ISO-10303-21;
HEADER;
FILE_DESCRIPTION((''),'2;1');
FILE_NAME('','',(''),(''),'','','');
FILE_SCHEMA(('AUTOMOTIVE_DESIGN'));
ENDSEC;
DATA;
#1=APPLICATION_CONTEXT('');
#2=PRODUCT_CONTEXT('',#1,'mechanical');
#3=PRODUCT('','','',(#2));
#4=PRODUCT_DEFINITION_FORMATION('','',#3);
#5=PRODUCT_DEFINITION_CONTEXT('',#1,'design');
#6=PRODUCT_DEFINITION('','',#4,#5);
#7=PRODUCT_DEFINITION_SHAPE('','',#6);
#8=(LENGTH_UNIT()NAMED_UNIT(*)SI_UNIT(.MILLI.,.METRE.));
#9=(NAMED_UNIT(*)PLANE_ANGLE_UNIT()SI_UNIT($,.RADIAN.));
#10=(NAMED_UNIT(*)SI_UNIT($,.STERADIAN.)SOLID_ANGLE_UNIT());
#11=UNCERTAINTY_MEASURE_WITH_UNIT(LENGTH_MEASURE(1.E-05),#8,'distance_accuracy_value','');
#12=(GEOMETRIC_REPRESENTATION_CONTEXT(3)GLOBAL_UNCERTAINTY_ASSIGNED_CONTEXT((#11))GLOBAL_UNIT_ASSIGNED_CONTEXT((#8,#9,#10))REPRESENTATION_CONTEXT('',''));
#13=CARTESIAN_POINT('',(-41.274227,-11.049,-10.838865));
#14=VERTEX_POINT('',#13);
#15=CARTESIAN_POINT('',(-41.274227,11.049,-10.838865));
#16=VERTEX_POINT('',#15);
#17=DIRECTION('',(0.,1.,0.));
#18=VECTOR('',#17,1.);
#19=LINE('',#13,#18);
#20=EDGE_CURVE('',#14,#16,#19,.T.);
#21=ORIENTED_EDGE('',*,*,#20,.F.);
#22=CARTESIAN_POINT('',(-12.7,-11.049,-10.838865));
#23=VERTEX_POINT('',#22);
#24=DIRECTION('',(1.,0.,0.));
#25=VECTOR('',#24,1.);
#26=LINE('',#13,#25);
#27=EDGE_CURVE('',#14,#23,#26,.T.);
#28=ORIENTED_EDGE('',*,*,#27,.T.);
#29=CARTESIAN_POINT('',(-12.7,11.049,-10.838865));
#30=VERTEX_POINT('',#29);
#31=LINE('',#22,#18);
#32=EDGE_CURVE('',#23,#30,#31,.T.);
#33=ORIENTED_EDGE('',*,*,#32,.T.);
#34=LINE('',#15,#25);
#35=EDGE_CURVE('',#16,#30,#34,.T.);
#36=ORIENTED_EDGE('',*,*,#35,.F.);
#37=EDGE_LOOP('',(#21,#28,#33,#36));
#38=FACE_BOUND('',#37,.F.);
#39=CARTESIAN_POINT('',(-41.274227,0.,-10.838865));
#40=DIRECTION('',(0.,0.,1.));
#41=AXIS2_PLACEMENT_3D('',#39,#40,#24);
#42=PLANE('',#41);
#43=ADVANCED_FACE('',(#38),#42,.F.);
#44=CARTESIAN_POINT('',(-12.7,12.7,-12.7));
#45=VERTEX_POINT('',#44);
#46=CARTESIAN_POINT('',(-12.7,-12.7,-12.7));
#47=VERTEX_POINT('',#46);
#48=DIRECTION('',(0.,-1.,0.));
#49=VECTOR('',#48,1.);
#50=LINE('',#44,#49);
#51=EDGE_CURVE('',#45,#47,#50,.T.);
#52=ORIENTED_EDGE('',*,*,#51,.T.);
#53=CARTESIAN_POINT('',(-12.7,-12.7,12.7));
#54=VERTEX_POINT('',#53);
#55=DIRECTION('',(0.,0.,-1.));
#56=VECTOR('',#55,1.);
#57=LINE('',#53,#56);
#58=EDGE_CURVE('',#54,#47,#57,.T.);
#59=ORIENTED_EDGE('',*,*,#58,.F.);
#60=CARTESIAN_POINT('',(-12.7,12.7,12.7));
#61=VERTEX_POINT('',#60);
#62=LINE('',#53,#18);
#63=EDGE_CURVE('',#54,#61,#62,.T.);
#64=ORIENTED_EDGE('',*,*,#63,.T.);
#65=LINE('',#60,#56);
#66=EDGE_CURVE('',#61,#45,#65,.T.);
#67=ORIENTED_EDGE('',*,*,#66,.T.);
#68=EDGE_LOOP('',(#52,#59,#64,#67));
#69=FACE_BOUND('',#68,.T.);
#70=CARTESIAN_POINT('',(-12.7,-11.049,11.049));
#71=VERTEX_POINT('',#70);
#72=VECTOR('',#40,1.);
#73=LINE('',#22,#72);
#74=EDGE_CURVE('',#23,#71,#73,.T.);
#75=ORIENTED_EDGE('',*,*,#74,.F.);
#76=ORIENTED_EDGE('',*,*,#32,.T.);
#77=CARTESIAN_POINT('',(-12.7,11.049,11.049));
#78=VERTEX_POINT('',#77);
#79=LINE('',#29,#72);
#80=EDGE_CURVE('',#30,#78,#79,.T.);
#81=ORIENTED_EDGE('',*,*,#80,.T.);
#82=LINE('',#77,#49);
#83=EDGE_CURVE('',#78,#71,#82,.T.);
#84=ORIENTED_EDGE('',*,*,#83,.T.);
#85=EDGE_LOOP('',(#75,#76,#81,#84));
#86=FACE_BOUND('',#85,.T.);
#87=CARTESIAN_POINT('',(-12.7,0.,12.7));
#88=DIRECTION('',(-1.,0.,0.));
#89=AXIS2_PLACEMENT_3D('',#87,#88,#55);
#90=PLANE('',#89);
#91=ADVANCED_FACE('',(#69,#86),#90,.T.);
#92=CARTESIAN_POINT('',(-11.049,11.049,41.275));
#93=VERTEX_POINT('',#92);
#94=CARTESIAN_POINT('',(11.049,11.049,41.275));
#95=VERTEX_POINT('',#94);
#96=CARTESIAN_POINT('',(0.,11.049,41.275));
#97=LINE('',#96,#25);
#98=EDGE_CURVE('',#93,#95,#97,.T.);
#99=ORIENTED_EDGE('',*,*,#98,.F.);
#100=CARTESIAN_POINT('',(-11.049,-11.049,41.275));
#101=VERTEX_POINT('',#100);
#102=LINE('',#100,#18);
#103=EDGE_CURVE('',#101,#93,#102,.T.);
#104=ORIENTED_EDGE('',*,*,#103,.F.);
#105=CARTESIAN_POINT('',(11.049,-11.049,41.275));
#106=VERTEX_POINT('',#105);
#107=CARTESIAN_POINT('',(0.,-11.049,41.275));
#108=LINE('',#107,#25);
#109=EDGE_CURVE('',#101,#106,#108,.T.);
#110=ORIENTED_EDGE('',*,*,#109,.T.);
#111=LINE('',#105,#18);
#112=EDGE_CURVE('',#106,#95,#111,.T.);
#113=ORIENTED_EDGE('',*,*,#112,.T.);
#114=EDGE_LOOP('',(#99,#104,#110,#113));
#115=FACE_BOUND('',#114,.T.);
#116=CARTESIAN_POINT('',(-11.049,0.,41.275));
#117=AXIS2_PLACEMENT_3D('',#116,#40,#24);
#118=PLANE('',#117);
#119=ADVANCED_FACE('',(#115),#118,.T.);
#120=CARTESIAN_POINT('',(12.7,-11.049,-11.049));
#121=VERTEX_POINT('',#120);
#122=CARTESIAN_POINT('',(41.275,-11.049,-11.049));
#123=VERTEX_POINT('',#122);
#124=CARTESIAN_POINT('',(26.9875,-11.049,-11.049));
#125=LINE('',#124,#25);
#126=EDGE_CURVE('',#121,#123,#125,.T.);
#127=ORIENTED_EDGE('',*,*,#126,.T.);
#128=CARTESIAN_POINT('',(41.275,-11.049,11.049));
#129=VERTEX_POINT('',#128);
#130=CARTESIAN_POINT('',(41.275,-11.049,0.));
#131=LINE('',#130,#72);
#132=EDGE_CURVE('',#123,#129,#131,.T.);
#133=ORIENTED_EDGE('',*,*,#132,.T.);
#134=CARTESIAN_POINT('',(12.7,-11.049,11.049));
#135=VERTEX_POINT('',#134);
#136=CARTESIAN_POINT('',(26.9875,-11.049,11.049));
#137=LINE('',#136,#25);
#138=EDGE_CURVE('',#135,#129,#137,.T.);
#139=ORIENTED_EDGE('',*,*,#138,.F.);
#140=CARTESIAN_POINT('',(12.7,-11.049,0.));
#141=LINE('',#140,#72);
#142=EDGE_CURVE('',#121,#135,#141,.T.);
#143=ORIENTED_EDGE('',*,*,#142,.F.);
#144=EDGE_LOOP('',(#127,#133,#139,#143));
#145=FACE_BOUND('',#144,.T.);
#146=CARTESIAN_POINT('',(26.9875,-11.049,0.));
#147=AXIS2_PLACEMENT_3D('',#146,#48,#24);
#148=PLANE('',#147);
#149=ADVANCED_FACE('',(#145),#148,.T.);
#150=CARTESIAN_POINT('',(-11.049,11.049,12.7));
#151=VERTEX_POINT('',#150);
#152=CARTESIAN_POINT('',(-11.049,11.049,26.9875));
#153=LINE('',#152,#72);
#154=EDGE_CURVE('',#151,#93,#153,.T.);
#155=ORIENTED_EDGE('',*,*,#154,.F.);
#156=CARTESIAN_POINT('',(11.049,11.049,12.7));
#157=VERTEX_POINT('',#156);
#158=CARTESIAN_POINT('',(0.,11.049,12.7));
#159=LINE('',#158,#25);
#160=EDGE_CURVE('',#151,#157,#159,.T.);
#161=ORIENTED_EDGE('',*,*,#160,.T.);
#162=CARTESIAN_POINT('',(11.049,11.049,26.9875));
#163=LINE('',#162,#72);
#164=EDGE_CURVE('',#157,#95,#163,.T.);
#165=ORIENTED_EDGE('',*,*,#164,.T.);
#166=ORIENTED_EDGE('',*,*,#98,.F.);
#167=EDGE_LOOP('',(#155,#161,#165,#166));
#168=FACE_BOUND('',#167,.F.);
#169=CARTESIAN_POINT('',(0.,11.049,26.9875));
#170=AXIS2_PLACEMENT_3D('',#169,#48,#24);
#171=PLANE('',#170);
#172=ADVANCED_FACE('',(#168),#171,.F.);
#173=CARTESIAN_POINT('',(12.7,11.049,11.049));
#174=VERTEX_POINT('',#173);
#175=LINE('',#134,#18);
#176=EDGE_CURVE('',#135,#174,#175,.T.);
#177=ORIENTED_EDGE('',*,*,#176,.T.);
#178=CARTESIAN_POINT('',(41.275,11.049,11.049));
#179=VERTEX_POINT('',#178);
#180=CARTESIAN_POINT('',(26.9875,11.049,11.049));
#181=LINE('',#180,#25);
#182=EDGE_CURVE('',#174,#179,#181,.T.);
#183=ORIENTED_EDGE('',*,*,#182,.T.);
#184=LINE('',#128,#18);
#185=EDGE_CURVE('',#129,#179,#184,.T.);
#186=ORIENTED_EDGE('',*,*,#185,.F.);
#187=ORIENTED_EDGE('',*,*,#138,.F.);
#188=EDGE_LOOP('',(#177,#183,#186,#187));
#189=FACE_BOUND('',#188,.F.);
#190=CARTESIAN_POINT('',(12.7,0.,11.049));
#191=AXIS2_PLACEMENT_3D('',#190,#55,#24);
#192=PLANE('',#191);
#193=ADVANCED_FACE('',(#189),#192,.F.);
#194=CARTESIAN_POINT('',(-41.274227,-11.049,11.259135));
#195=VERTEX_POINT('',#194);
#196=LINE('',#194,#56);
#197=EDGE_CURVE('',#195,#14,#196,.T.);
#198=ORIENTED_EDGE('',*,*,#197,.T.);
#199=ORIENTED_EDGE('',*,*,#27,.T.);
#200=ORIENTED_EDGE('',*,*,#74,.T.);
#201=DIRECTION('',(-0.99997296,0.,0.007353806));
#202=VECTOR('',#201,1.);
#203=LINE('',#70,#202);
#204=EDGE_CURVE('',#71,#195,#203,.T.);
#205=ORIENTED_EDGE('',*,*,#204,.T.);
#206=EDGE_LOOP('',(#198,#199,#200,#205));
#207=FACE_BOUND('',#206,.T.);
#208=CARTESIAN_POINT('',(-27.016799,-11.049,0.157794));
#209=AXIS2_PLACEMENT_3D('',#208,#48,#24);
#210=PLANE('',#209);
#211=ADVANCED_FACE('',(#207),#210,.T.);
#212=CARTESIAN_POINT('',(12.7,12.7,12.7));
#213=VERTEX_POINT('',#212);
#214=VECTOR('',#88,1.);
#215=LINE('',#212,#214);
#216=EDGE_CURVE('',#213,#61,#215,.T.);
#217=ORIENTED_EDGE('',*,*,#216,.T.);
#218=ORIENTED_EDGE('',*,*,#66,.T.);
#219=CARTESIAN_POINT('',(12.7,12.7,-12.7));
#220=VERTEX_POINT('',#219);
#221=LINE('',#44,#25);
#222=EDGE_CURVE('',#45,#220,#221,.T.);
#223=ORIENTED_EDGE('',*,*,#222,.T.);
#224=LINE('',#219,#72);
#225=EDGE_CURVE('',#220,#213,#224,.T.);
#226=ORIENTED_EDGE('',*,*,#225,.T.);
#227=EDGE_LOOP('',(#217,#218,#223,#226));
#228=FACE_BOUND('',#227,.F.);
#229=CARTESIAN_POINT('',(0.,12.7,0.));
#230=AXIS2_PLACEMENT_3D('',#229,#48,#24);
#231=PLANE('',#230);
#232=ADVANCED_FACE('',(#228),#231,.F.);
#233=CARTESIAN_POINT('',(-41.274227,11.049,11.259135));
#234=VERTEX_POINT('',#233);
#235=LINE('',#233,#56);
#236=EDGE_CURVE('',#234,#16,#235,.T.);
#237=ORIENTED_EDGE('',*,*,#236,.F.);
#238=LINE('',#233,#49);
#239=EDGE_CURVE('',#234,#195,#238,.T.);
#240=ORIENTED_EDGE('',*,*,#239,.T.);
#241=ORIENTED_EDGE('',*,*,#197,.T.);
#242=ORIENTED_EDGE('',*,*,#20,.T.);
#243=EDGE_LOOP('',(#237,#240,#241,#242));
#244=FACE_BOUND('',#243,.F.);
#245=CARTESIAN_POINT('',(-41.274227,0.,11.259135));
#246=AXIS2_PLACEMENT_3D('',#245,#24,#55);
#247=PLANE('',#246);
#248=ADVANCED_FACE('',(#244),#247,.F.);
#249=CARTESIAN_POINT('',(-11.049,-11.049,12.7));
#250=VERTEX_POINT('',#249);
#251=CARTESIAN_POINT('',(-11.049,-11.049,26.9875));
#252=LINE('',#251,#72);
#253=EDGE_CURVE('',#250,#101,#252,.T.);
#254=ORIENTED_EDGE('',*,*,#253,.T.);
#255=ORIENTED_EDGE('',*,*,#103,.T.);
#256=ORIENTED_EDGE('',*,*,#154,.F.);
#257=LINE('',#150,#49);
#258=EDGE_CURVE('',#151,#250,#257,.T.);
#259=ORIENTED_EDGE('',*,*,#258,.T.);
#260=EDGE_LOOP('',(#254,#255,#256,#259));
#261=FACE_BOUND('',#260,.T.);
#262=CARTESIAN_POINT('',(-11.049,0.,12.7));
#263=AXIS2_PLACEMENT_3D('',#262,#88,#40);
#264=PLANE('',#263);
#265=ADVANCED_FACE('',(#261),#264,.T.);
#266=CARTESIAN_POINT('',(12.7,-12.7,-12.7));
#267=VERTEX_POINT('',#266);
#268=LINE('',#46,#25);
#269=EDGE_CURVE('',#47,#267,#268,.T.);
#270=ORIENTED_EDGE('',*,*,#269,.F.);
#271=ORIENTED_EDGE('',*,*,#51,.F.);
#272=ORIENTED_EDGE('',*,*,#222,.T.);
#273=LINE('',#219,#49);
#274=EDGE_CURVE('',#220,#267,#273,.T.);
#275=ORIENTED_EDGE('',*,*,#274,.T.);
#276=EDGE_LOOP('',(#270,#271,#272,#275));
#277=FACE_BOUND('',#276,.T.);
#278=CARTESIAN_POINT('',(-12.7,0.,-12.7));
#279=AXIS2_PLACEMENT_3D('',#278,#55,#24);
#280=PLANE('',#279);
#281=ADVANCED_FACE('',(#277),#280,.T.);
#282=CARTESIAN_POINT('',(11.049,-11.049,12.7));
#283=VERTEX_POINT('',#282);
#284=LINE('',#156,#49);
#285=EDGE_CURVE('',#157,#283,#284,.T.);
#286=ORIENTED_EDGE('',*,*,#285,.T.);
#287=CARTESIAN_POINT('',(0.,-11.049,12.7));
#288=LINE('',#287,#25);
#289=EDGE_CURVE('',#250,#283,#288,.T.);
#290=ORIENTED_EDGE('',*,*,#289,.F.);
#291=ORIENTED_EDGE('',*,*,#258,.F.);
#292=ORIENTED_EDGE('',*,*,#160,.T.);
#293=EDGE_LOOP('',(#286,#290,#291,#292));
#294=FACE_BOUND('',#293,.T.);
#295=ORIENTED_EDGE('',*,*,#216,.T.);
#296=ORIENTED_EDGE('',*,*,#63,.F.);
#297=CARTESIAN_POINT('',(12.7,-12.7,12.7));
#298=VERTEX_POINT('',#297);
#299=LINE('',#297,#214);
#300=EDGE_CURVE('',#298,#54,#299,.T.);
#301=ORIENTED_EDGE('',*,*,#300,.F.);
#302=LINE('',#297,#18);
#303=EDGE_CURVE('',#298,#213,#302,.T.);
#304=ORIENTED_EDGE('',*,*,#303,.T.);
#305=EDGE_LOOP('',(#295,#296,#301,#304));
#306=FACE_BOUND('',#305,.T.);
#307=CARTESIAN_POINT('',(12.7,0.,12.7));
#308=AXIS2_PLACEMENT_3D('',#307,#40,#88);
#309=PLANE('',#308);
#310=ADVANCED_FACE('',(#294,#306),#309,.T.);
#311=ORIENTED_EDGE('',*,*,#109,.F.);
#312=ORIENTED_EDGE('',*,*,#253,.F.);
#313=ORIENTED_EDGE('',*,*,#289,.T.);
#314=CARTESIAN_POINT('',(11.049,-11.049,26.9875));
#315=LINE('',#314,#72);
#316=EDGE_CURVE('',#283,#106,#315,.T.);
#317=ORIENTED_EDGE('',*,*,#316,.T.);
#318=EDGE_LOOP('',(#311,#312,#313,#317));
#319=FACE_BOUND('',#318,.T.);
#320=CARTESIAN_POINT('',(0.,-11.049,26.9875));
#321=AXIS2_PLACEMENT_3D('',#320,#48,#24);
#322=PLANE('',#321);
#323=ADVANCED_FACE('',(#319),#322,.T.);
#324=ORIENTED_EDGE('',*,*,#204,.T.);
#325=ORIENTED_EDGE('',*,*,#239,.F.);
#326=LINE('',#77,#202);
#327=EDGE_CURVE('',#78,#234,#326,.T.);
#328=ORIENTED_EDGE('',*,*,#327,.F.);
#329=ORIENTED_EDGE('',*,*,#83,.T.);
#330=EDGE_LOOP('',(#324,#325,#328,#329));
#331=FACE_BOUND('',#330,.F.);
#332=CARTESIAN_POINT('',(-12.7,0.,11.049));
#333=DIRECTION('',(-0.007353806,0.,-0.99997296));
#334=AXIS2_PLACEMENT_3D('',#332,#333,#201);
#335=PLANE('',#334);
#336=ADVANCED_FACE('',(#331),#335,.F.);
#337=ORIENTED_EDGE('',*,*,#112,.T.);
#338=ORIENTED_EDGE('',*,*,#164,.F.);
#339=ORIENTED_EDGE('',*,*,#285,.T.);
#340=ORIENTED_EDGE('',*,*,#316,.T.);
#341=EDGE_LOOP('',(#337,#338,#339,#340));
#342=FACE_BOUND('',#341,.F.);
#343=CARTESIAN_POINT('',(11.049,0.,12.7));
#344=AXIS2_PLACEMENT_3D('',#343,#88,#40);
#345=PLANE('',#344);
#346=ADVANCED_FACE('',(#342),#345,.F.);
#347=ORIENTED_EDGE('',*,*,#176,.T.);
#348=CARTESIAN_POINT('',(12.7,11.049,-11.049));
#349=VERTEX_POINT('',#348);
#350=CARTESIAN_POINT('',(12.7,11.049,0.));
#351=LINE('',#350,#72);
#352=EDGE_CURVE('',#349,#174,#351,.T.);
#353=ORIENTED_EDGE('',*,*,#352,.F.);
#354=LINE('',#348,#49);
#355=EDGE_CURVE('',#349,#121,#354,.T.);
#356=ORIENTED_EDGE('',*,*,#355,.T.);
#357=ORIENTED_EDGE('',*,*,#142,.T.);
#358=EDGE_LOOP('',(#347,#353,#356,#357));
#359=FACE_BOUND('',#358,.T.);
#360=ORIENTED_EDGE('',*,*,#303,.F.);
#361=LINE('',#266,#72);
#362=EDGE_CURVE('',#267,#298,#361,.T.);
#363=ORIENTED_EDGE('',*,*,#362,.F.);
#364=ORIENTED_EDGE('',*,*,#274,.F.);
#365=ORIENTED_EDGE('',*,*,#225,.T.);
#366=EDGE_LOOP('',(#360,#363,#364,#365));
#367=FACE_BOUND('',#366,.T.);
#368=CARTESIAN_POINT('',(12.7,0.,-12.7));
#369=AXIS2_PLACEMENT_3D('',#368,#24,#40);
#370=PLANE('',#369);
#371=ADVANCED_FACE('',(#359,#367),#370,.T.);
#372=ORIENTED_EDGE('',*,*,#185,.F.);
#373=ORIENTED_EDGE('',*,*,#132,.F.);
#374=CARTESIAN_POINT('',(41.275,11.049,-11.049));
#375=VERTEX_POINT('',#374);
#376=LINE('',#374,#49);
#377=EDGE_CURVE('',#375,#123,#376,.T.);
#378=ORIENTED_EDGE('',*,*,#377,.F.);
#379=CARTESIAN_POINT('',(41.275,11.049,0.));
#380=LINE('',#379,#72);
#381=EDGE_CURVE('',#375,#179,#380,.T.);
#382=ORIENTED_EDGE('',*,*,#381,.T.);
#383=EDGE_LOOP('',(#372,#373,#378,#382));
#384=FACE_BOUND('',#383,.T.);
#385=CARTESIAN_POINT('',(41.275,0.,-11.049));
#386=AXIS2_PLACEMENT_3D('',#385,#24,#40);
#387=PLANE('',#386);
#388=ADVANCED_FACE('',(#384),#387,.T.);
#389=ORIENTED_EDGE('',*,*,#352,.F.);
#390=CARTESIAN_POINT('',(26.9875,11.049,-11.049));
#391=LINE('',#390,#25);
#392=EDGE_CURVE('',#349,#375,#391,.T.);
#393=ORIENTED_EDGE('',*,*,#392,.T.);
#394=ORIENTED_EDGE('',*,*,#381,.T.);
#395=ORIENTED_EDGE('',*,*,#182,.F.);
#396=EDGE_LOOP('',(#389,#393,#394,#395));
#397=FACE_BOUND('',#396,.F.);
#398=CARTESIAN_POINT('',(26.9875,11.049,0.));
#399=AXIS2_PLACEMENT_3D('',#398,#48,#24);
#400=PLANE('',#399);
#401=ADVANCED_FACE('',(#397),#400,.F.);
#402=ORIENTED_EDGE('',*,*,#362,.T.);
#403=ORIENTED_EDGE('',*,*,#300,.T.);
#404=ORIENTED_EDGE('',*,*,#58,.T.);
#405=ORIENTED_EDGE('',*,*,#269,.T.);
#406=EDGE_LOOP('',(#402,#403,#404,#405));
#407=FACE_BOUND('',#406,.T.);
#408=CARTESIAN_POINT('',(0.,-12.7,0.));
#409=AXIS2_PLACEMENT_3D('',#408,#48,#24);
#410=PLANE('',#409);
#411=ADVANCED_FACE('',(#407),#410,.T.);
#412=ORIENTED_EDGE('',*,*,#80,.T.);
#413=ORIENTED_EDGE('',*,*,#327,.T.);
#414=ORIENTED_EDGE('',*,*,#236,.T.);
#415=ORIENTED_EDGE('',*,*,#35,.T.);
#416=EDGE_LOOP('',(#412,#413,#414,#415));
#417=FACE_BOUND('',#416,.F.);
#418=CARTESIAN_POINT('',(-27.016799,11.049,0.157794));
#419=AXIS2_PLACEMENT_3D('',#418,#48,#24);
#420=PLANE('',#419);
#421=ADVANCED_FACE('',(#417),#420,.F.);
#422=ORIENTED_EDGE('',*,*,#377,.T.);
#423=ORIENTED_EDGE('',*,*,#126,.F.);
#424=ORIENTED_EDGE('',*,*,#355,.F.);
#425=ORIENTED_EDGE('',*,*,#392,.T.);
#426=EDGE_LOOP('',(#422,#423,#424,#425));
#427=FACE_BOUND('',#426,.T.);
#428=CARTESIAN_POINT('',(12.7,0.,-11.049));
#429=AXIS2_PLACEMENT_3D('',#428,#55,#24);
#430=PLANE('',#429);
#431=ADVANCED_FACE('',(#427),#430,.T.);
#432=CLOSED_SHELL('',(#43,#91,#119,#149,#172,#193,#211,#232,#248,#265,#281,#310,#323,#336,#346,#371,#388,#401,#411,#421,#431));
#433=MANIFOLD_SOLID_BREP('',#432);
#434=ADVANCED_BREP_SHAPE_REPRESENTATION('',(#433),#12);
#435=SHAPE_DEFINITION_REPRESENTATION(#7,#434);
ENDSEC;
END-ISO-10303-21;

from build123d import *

# Parameters (mm, degrees)
F1_DEPTH = 12.7
F0_W     = 22.098
F0_H     = 28.575
F0_W_2   = 28.575
F0_H_2   = 22.098
F2_DEPTH = 11.049


with BuildPart() as f1:
    # F0 (on Front) → F1 (new body, symmetric)
    with BuildSketch(Plane.XZ):
        Polygon((-11.049, 12.7), (-12.7, 12.7), (-12.7, 11.049), (-12.7, -10.838865), (-12.7, -12.7), (12.7, -12.7), (12.7, -11.049), (12.7, 11.049), (12.7, 12.7), (11.049, 12.7), align=None)
    extrude(amount=F1_DEPTH, both=True)

    # F0 (on Front) → F2 (join, symmetric)
    with BuildSketch(Plane.XZ):
        Polygon((-12.7, -10.838865), (-12.7, 11.049), (-41.274227, 11.259135), (-41.274227, -10.838865), align=None)
        with Locations((0, 26.9875)):
            Rectangle(F0_W, F0_H)
        with Locations((26.9875, 0)):
            Rectangle(F0_W_2, F0_H_2)
    extrude(amount=F2_DEPTH, both=True)


solid = f1.part
